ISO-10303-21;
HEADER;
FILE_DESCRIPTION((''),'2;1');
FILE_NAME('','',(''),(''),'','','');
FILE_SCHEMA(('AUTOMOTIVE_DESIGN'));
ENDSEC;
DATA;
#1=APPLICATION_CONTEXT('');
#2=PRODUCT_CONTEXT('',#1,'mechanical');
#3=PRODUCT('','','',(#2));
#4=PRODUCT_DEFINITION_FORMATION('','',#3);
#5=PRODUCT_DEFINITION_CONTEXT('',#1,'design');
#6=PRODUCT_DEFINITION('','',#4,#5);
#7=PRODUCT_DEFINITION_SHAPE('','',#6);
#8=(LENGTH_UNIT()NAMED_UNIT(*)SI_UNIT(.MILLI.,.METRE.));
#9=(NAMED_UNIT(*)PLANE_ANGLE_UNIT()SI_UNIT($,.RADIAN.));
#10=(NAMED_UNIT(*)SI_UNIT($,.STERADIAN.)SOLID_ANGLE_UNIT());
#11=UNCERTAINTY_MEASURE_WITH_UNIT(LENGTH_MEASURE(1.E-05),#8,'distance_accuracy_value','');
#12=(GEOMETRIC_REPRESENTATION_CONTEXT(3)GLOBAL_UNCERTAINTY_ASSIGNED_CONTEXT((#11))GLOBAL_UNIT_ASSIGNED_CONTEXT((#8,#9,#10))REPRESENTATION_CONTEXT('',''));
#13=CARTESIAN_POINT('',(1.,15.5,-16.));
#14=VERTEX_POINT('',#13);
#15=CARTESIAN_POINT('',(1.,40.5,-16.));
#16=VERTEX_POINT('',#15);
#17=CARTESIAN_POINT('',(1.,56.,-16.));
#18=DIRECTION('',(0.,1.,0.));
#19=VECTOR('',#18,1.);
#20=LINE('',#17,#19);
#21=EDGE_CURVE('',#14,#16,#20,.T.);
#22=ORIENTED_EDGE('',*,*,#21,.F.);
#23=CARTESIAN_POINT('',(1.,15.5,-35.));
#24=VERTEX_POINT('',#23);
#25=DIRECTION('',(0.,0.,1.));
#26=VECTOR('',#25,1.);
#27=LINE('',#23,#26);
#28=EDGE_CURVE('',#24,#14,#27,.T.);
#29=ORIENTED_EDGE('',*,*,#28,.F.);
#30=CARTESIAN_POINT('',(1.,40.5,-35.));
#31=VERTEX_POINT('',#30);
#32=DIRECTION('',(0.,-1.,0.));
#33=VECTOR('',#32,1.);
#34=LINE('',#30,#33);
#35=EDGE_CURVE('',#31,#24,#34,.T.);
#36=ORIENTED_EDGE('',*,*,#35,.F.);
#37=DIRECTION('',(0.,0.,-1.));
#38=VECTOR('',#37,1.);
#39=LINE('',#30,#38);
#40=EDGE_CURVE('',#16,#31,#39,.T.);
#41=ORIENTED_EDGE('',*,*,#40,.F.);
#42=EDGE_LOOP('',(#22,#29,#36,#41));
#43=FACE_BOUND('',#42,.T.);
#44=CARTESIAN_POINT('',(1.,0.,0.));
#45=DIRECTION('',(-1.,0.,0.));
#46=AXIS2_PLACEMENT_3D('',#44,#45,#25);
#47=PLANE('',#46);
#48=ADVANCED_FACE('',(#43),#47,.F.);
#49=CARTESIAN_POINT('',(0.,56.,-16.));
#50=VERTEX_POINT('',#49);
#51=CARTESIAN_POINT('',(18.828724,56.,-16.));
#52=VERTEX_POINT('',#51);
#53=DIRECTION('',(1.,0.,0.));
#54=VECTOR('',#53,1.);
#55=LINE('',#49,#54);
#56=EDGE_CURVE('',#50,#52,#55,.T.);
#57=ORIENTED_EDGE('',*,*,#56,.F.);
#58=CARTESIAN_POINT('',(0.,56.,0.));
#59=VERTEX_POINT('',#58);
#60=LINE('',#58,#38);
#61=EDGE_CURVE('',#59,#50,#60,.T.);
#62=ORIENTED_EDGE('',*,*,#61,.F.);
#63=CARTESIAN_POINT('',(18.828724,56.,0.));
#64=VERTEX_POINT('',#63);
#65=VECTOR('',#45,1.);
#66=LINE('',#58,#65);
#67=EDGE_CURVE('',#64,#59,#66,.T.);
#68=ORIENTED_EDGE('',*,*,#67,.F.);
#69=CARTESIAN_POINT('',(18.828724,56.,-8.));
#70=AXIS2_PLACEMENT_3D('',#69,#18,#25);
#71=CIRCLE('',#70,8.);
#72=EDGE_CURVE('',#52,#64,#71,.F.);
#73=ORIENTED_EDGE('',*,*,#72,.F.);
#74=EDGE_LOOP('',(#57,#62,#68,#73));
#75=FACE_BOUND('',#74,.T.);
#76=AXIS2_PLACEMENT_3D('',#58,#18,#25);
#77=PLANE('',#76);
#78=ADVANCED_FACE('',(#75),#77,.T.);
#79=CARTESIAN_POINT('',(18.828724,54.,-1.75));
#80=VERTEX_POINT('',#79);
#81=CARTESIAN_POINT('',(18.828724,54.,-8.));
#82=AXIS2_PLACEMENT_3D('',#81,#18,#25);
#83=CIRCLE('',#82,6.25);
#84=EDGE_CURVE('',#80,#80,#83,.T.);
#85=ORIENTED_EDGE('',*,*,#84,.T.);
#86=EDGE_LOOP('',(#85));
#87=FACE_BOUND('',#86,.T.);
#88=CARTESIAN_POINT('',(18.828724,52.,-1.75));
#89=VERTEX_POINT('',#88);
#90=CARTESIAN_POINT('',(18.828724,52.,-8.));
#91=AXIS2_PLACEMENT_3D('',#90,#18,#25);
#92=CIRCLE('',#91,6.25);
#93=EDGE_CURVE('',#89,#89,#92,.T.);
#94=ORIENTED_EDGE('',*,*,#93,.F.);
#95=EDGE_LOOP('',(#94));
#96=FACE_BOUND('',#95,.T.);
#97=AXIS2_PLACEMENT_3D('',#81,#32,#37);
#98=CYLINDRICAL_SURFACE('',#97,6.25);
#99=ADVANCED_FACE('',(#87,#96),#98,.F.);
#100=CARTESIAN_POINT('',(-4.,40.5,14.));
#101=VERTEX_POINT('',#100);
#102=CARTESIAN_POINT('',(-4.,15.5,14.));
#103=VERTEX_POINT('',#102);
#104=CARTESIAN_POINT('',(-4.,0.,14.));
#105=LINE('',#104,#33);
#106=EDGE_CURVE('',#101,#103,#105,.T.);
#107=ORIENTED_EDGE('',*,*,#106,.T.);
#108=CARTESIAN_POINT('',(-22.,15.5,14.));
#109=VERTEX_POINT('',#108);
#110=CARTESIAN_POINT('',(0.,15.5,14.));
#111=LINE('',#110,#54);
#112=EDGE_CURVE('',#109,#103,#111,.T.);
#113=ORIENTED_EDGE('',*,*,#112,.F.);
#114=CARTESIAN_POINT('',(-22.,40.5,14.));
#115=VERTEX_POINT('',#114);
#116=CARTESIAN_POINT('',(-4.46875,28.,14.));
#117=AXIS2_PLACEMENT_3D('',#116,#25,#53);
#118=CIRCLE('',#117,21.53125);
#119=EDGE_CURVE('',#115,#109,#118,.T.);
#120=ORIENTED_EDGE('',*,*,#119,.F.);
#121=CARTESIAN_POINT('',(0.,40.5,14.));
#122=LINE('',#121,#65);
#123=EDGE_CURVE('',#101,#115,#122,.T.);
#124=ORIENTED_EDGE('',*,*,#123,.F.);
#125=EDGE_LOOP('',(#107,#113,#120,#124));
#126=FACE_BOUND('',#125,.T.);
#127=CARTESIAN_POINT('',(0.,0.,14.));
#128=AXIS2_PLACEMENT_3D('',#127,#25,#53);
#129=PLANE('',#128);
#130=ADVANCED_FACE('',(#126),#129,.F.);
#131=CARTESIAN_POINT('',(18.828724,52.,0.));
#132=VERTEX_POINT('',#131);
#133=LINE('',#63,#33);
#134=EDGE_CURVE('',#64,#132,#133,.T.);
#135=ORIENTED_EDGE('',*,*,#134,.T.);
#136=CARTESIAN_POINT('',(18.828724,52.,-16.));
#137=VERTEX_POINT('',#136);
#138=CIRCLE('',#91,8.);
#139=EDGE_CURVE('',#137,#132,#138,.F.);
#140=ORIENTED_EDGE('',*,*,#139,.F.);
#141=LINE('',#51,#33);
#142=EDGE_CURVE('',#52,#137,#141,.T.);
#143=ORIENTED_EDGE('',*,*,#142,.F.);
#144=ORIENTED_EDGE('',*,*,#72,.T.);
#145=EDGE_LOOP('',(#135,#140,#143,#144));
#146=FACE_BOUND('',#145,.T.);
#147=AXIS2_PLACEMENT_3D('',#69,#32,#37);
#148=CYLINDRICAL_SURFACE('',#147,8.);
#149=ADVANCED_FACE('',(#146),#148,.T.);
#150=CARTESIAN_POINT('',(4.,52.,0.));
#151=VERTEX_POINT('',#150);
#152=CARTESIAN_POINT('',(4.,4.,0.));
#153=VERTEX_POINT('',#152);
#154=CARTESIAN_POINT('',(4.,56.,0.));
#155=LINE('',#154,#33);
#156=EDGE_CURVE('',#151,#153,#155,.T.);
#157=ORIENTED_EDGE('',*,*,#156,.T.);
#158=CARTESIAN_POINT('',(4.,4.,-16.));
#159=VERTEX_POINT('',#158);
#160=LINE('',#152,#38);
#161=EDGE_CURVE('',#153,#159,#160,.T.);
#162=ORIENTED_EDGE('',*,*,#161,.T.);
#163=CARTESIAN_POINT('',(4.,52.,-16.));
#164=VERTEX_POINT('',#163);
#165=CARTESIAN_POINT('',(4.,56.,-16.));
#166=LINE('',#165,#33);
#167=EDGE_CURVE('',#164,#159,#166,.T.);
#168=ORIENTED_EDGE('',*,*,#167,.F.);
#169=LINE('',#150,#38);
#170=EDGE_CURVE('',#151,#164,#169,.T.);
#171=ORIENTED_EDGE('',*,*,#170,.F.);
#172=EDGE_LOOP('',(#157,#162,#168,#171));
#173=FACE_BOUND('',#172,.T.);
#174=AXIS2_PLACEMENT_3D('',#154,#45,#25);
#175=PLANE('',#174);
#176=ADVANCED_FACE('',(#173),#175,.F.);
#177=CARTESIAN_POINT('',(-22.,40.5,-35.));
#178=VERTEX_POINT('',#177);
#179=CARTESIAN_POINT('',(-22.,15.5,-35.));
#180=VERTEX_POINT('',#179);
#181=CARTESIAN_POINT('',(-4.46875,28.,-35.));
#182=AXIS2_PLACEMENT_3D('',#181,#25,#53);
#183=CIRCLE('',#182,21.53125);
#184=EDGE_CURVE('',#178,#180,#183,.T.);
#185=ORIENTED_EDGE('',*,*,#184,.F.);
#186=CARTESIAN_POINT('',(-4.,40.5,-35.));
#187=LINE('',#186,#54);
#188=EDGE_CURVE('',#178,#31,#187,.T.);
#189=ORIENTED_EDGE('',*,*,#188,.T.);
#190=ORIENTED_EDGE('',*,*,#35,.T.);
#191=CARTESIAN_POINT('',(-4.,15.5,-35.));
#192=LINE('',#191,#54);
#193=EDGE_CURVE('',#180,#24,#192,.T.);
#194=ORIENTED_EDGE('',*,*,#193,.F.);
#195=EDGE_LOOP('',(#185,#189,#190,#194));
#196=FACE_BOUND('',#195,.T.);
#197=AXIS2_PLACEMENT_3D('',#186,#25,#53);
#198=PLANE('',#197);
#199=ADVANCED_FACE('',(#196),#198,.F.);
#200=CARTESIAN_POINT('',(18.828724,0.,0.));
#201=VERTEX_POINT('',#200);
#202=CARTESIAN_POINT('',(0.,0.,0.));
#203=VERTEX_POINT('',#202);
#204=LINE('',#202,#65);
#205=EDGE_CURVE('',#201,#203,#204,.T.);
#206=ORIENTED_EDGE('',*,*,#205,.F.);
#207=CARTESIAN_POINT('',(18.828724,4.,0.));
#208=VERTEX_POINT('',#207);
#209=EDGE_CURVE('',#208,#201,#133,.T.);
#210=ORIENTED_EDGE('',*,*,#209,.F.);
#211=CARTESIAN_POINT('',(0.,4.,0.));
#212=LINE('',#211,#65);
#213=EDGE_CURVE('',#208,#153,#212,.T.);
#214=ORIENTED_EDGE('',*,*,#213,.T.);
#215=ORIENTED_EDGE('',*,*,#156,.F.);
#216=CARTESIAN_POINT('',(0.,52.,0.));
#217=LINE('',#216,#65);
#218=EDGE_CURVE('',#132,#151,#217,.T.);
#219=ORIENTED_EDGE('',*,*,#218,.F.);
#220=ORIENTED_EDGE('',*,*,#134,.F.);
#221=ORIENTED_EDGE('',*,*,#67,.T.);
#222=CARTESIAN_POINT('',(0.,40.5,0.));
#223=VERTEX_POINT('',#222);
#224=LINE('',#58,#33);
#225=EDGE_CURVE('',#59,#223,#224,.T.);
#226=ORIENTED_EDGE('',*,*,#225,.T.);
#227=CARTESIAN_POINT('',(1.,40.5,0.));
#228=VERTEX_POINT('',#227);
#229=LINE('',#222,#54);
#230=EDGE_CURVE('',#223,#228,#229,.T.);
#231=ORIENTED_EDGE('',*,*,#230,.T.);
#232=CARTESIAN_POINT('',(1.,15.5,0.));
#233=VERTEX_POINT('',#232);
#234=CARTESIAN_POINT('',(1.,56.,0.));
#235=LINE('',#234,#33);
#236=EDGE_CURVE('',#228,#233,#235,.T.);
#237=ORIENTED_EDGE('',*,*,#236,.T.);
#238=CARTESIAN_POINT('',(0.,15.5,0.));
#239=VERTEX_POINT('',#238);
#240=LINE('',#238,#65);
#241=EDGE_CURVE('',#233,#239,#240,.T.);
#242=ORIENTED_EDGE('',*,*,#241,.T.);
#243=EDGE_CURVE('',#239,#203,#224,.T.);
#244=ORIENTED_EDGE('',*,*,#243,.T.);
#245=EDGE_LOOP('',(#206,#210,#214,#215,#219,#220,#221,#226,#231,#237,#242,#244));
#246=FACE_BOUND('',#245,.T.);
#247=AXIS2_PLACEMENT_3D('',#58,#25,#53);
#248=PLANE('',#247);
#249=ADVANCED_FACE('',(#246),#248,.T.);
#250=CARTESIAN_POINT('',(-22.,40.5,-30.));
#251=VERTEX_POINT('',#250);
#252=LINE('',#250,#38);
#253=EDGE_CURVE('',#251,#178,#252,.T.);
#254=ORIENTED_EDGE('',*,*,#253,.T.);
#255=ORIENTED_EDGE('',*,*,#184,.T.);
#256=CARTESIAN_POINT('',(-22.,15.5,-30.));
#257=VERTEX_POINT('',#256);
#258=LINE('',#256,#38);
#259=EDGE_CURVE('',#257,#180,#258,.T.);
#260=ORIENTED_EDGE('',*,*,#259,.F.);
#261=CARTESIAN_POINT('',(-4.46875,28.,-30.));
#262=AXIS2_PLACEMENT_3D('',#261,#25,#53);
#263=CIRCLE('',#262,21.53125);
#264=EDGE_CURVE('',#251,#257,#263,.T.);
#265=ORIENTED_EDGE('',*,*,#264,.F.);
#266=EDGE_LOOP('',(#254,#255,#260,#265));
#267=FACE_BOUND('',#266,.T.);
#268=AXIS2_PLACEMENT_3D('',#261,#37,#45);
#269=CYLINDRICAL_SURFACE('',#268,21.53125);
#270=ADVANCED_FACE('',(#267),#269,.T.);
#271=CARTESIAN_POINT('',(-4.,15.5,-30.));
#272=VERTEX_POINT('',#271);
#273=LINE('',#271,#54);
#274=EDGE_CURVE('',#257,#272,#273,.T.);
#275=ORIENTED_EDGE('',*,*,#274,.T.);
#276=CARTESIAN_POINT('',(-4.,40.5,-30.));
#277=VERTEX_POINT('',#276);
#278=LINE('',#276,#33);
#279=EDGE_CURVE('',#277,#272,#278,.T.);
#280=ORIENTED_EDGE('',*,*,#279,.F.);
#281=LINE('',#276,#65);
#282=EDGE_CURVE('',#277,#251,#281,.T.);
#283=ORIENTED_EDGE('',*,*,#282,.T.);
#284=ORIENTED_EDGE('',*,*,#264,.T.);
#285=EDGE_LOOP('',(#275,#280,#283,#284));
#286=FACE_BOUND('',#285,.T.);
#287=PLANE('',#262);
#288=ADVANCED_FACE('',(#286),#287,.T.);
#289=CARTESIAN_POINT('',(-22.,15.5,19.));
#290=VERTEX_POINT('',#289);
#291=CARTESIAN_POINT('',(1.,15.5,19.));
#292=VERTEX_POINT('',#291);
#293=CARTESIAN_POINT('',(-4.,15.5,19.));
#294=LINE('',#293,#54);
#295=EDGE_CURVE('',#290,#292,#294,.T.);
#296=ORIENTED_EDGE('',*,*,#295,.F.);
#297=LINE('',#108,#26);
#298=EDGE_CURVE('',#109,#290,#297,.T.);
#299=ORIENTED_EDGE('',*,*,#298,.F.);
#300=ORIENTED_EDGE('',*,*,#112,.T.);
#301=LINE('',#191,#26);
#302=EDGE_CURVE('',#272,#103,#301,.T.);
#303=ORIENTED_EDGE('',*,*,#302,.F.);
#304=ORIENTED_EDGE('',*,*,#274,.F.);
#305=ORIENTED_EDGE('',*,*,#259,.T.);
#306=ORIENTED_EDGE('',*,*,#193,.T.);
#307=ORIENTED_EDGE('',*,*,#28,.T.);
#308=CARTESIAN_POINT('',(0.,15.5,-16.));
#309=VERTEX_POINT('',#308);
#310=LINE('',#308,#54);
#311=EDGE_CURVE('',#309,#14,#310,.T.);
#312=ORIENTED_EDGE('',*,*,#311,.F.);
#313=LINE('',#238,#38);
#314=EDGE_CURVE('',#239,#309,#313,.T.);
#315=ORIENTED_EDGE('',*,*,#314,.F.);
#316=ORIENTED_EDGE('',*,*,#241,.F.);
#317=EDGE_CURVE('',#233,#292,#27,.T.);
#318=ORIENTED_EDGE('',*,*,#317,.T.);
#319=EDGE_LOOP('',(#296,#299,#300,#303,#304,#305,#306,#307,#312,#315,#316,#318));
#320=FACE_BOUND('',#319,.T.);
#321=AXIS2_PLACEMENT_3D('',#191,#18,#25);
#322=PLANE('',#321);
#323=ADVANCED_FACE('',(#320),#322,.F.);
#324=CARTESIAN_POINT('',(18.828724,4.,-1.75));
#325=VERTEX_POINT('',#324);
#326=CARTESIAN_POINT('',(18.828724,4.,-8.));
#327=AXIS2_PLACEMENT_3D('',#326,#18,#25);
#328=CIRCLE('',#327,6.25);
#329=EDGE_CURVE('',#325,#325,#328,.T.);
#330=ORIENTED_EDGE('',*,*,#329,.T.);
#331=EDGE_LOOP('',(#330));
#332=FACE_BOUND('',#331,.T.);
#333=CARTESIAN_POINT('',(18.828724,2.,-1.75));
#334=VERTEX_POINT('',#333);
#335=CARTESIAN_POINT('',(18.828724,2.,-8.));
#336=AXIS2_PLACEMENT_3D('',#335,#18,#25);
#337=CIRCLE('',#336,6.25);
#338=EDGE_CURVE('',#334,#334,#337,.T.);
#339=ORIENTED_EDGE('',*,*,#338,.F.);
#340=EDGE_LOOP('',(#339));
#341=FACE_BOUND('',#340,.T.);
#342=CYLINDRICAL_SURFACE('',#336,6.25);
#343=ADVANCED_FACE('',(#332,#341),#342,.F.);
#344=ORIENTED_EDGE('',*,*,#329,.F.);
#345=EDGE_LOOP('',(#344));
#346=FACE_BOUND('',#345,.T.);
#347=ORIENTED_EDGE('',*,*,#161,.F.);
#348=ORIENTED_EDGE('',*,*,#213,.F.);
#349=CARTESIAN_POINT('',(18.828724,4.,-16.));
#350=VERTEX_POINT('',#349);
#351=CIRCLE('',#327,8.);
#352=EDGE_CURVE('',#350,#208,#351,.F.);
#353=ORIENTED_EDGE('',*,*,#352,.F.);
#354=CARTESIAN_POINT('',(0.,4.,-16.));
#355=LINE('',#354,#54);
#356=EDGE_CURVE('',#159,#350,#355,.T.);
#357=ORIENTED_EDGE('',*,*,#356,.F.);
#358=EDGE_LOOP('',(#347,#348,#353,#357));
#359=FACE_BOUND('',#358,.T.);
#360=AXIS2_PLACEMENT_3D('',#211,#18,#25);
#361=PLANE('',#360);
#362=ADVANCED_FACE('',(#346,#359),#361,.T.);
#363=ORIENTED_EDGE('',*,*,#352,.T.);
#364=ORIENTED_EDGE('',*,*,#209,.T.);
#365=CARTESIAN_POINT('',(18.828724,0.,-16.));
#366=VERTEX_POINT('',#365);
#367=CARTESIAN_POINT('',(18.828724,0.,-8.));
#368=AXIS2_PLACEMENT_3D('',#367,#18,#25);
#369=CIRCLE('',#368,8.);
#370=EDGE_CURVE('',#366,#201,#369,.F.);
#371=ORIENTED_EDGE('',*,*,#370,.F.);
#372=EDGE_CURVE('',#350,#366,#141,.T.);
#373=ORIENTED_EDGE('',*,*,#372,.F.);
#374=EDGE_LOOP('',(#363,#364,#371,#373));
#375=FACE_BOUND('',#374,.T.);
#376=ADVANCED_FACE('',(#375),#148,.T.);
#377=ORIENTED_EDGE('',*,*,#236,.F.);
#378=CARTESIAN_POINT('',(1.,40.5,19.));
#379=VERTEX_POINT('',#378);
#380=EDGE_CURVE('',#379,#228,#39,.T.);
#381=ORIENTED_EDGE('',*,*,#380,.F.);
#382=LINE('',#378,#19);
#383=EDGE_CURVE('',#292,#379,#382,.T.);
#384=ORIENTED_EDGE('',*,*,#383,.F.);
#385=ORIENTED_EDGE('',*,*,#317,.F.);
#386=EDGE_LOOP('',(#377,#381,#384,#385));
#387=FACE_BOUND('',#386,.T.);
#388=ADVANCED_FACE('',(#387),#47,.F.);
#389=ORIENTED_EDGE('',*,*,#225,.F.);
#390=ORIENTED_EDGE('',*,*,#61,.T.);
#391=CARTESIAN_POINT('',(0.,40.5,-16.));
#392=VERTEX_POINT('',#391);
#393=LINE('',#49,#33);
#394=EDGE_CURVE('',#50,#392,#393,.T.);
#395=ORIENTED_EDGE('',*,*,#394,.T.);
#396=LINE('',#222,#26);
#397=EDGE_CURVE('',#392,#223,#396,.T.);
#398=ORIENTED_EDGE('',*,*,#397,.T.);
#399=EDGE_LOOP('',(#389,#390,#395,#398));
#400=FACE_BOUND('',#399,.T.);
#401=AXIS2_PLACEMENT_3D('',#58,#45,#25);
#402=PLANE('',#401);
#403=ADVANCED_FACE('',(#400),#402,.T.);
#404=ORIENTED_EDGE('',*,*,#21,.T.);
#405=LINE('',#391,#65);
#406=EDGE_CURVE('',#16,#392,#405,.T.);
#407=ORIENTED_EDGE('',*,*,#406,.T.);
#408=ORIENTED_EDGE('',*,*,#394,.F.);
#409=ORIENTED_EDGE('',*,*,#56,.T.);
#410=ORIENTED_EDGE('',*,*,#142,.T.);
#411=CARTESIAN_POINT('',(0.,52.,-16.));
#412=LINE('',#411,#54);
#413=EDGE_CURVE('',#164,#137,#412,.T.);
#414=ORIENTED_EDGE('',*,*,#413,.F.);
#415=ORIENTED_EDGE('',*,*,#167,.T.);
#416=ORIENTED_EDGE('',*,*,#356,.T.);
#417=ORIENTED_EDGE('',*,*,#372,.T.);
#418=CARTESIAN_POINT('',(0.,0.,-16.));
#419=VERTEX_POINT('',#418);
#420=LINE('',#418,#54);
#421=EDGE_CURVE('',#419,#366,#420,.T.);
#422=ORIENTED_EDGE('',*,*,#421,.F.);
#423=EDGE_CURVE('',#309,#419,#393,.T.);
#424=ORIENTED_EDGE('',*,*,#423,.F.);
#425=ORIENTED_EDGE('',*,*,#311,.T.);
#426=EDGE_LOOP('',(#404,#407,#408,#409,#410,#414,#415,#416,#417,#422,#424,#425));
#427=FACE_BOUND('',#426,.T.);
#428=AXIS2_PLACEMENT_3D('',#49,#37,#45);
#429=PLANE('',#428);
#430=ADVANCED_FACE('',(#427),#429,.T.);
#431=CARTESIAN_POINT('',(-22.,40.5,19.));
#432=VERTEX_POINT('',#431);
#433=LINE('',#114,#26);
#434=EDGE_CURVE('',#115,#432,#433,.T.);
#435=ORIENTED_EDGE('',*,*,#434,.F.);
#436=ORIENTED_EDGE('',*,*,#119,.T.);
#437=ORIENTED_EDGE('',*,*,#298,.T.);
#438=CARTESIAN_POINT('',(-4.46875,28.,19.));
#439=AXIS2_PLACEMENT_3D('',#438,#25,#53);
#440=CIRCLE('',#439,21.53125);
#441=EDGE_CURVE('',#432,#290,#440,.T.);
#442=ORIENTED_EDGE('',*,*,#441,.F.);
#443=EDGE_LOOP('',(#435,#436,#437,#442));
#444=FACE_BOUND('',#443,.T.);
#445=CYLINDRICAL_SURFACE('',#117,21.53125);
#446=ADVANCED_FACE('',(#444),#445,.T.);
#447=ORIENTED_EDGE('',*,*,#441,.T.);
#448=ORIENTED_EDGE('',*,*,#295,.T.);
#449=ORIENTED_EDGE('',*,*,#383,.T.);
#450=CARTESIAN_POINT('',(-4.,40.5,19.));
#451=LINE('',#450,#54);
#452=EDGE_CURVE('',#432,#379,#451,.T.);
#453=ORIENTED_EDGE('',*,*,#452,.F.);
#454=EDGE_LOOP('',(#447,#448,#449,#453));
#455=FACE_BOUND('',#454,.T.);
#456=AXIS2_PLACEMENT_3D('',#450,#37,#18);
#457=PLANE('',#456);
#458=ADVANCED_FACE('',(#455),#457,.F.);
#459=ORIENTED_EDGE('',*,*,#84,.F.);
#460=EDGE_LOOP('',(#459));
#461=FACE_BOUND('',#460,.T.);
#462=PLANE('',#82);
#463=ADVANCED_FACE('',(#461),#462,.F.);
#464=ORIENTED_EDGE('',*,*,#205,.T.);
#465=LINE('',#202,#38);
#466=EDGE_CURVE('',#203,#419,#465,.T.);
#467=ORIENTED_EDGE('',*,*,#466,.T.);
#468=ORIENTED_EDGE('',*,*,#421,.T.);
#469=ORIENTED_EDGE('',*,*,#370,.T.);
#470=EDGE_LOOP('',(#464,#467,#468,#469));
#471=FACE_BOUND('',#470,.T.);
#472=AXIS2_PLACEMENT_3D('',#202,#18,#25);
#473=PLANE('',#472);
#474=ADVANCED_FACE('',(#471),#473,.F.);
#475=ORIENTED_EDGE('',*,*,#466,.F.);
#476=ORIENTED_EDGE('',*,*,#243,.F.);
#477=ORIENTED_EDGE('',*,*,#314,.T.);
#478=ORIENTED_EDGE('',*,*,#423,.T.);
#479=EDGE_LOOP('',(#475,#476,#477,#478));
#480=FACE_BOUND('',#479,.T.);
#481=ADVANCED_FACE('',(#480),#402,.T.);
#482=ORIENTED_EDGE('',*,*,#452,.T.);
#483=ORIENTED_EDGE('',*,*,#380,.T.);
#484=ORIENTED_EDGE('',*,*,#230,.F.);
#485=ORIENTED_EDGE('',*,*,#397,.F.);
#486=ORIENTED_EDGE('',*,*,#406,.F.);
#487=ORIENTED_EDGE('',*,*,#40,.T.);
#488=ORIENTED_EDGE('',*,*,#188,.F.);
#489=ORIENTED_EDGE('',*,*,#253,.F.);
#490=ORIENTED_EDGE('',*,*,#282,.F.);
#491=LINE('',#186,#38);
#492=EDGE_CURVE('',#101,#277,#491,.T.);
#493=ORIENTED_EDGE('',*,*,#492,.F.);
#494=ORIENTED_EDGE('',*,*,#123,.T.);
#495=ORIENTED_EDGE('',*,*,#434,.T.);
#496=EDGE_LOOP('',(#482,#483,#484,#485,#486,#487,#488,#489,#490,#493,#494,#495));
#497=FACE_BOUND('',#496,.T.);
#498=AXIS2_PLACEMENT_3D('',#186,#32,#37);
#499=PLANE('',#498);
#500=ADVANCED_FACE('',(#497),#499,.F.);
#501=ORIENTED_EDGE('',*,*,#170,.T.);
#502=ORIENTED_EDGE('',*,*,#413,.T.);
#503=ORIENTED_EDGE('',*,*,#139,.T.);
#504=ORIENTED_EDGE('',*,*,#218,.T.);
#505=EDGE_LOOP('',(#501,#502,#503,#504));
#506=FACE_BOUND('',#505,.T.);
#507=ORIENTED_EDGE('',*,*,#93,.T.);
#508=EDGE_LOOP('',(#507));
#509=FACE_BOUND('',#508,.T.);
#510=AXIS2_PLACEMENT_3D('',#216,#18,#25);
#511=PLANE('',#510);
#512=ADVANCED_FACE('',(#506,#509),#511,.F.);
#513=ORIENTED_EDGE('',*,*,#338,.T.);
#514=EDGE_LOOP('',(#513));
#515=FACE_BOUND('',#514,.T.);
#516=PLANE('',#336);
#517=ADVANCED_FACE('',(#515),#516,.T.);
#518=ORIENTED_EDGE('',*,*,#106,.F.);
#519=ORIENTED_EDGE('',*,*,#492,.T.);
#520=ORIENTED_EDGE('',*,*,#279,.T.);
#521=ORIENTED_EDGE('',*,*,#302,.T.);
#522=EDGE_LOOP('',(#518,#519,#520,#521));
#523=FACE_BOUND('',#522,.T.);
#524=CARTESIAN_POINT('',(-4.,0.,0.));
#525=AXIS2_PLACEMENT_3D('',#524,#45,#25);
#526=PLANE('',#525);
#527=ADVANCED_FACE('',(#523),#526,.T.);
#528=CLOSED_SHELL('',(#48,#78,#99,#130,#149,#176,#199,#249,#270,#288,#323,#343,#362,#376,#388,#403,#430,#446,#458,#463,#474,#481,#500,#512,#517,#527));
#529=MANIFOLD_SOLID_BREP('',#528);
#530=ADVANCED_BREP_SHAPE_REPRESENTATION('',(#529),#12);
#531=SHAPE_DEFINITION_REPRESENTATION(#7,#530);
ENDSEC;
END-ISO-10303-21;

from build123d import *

# Parameters (mm, degrees)
BOSS_EXTRUDE1_DEPTH      = 56
SHELL1_T                 = -4
CUT_EXTRUDE1_START       = -4
SKETCH2_R                = 6.25
CUT_EXTRUDE1_DEPTH       = 2
CUT_EXTRUDE2_START       = -54
SKETCH2_2_R              = 6.25
CUT_EXTRUDE2_DEPTH       = 2
BOSS_EXTRUDE2_DEPTH      = 4
BOSS_EXTRUDE2_DEPTH_BACK = 1
SKETCH3_W                = 54
SKETCH3_H                = 25
BOSS_EXTRUDE3_DEPTH      = 5
BOSS_EXTRUDE4_START      = -49
BOSS_EXTRUDE4_DEPTH      = 5


with BuildPart() as part:
    # Sketch1 → Boss-Extrude1 (new body)
    with BuildSketch(Plane(origin=(0, 0, 0), x_dir=(1, 0, 0), z_dir=(0, 1, 0))):
        with BuildLine():
            Line((0, 0), (0, 16))
            Line((0, 16), (18.828724193, 16))
            ThreePointArc((18.828724193, 16), (26.828724193, 8), (18.828724193, 0))
            Line((18.828724193, 0), (0, 0))
        make_face()
    extrude(amount=BOSS_EXTRUDE1_DEPTH)

    # Shell1
    shell1_openings = [part.faces().sort_by_distance(p)[0] for p in [
        (9.414362096, 28, 0),
        (9.414362096, 28, -16),
        (26.828724193, 28, -8),
    ]]
    offset(amount=SHELL1_T, openings=shell1_openings, kind=Kind.INTERSECTION)

    # Sketch2 → Cut-Extrude1 (cut)
    with BuildSketch(Plane.XZ.offset(CUT_EXTRUDE1_START)):
        with Locations(Location((18.828724193, -8, 0), (0, 0, 90))):
            Circle(SKETCH2_R)
    extrude(amount=CUT_EXTRUDE1_DEPTH, mode=Mode.SUBTRACT)

    # Sketch2<2> → Cut-Extrude2 (cut)
    with BuildSketch(Plane.XZ.offset(CUT_EXTRUDE2_START)):
        with Locations(Location((18.828724193, -8, 0), (0, 0, 90))):
            Circle(SKETCH2_2_R)
    extrude(amount=CUT_EXTRUDE2_DEPTH, mode=Mode.SUBTRACT)

    # Sketch3 → Boss-Extrude2 (add, two sides: drawn at the far end of the back side and taken through both)
    with BuildSketch(Plane.ZY.offset(-BOSS_EXTRUDE2_DEPTH_BACK)):
        with Locations((-8, 28)):
            Rectangle(SKETCH3_W, SKETCH3_H)
    extrude(amount=BOSS_EXTRUDE2_DEPTH + BOSS_EXTRUDE2_DEPTH_BACK)

    # Sketch4 → Boss-Extrude3 (add)
    with BuildSketch(Plane.XY.offset(19)):
        with BuildLine():
            Line((-4, 15.5), (-4, 40.5))
            Line((-4, 40.5), (-22, 40.5))
            ThreePointArc((-22, 40.5), (-26, 28), (-22, 15.5))
            Line((-22, 15.5), (-4, 15.5))
        make_face()
    extrude(amount=-BOSS_EXTRUDE3_DEPTH)

    # Sketch4<4> → Boss-Extrude4 (add)
    with BuildSketch(Plane.XY.offset(19).offset(BOSS_EXTRUDE4_START)):
        with BuildLine():
            Line((-4, 15.5), (-4, 40.5))
            Line((-4, 40.5), (-22, 40.5))
            ThreePointArc((-22, 40.5), (-26, 28), (-22, 15.5))
            Line((-22, 15.5), (-4, 15.5))
        make_face()
    extrude(amount=-BOSS_EXTRUDE4_DEPTH)


solid = part.part
